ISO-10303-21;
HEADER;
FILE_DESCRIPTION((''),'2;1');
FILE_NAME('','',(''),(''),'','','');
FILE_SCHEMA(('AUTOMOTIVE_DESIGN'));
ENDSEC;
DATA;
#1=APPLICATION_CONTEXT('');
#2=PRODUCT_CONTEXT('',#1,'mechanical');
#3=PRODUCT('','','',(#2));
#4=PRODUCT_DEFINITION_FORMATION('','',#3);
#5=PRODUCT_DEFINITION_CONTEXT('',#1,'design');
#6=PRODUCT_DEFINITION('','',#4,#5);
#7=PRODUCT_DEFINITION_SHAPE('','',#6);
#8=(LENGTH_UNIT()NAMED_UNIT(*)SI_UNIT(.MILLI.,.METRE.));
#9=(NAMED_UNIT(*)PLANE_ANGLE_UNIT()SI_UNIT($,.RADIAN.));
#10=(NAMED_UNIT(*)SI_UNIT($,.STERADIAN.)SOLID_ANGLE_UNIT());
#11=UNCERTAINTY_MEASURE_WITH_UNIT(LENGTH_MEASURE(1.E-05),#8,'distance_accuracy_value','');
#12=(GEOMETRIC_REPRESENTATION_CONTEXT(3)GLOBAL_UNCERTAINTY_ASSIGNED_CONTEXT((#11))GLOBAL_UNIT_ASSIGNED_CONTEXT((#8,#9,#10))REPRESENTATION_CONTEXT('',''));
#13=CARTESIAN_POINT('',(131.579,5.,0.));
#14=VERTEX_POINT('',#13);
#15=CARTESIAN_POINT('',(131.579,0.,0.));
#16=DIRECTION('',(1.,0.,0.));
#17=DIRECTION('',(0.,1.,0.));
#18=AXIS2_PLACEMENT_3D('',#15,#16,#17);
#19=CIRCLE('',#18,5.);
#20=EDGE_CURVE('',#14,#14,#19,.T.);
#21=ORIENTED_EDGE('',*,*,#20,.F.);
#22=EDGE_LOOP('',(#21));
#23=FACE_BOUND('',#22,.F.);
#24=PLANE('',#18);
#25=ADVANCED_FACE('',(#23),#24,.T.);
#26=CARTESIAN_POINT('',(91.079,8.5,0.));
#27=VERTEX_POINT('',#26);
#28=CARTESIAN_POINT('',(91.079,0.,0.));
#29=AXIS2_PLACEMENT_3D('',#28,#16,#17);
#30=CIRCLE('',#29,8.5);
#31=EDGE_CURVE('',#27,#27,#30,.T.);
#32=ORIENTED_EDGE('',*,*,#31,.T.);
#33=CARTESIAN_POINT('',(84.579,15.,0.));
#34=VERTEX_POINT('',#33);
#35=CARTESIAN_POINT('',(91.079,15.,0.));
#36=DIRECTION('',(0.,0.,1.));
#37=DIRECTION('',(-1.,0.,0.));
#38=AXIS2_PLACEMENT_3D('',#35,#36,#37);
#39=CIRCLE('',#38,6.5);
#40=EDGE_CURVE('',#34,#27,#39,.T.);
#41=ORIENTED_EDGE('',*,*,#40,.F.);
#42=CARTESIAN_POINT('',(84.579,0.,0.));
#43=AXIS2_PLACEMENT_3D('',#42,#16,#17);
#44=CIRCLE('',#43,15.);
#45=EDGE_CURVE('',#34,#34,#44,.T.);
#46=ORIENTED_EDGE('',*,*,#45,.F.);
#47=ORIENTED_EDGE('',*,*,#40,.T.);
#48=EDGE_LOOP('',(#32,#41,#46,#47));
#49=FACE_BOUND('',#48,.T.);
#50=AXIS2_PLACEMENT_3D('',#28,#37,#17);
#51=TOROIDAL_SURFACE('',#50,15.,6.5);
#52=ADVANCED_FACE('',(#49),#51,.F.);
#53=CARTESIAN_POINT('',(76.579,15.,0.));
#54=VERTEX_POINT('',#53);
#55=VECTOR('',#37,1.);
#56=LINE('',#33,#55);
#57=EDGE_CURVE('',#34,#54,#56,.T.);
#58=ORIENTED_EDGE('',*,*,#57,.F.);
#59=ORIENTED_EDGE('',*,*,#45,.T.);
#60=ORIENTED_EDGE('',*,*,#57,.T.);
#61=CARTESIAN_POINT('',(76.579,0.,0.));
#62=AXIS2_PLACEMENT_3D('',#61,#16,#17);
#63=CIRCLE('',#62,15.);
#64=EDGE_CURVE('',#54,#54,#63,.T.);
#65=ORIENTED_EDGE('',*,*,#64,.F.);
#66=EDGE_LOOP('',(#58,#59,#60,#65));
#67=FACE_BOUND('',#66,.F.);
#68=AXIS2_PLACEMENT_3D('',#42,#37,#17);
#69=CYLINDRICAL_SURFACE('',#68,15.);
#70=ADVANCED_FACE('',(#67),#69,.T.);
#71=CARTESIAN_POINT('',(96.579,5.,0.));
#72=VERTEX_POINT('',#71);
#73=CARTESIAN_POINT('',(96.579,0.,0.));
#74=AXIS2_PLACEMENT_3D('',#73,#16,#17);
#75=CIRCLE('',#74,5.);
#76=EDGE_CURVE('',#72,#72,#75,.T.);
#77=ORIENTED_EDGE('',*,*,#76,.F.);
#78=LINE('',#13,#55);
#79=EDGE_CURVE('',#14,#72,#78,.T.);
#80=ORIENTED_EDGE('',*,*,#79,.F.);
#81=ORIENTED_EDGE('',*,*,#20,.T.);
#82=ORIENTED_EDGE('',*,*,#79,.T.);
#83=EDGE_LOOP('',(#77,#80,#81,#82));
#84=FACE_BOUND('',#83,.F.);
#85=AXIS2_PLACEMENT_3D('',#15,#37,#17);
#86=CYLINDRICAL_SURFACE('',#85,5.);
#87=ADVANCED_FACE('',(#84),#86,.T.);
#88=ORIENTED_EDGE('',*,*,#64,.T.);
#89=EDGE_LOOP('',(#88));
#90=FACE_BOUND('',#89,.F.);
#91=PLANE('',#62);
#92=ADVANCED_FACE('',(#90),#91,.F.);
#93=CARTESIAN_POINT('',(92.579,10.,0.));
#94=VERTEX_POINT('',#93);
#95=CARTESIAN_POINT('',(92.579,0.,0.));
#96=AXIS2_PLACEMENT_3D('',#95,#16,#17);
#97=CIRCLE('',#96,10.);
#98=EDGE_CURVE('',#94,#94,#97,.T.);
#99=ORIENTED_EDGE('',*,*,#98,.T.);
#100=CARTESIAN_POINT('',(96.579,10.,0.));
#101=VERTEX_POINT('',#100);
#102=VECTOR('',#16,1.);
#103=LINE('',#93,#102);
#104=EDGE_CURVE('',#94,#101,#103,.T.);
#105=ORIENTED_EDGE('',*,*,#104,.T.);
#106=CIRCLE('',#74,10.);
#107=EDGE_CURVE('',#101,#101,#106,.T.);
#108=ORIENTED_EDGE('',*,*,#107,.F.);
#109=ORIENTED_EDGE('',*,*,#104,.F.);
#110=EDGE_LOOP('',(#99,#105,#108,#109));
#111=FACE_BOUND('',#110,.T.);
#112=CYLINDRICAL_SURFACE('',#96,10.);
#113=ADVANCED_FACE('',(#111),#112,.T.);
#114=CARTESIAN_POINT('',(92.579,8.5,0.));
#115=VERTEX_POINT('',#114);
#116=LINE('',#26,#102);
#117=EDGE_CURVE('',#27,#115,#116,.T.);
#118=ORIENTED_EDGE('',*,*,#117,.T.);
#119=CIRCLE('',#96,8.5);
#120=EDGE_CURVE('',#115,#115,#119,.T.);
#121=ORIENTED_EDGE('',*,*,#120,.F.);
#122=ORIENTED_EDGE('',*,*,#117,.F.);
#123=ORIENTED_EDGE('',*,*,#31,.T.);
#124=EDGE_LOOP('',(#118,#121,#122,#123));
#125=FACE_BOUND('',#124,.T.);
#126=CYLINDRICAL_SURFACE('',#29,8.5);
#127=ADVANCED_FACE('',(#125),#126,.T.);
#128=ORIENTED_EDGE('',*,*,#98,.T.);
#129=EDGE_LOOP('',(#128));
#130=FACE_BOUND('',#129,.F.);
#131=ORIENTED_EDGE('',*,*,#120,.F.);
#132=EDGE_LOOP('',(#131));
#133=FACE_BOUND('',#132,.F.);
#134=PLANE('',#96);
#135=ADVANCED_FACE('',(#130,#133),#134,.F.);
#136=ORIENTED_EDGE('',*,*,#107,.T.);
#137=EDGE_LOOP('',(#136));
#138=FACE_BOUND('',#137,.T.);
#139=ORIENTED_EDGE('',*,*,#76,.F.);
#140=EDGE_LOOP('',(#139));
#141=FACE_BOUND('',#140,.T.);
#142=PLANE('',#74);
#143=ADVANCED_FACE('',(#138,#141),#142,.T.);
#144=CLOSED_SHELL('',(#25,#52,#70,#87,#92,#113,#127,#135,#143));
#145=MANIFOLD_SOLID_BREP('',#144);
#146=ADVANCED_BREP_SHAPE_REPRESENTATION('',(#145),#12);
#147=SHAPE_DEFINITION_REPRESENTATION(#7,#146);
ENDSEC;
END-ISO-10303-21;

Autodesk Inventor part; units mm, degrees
ref_plane "YZ Plane" through (0, 0, 0) normal (1, 0, 0) x (0, 1, 0)
ref_plane "XZ Plane" through (0, 0, 0) normal (0, 1, 0) x (-1, 0, 0)
ref_plane "XY Plane" through (0, 0, 0) normal (0, 0, 1) x (1, 0, 0)
sketch "草图1" plane through (0, 0, 0) normal (0, 0, 1) x (1, 0, 0)
  line L0 (-126.7986, 0) -> (152.2058, 0)
  line L1 (131.579, 0) -> (131.579, 5)
  line L2 (131.579, 5) -> (96.579, 5)
  line L3 (96.579, -20.693) -> (96.579, 5)
  line L4 (96.579, 10) -> (96.579, 5)
  line L5 (92.579, 10) -> (96.579, 10)
  line L6 (92.579, 10) -> (92.579, 0)
  line L7 (84.579, 0) -> (84.579, 15)
  line L8 (84.579, 15) -> (76.579, 15)
  line L9 (76.579, 15) -> (76.579, 0)
  line L10 (91.079, 8.5) -> (92.579, 8.5)
  arc A0 (84.579, 15) -> (91.079, 8.5) centre (91.079, 15) ccw
  point P0 (0, 0)
  dimension "d0" = 6.5
  dimension "d1" = 5
  dimension "d2" = 35
  dimension "d3" = 4
  dimension "d4" = 10
  dimension "d5" = 17
  dimension "d6" = 8
  dimension "d7" = 15
  dimension "d8" = 55
revolve "旋转1" add sketch "草图1" angle 360 about axis through (-126.7986, 0, 0) along (1, 0, 0)
